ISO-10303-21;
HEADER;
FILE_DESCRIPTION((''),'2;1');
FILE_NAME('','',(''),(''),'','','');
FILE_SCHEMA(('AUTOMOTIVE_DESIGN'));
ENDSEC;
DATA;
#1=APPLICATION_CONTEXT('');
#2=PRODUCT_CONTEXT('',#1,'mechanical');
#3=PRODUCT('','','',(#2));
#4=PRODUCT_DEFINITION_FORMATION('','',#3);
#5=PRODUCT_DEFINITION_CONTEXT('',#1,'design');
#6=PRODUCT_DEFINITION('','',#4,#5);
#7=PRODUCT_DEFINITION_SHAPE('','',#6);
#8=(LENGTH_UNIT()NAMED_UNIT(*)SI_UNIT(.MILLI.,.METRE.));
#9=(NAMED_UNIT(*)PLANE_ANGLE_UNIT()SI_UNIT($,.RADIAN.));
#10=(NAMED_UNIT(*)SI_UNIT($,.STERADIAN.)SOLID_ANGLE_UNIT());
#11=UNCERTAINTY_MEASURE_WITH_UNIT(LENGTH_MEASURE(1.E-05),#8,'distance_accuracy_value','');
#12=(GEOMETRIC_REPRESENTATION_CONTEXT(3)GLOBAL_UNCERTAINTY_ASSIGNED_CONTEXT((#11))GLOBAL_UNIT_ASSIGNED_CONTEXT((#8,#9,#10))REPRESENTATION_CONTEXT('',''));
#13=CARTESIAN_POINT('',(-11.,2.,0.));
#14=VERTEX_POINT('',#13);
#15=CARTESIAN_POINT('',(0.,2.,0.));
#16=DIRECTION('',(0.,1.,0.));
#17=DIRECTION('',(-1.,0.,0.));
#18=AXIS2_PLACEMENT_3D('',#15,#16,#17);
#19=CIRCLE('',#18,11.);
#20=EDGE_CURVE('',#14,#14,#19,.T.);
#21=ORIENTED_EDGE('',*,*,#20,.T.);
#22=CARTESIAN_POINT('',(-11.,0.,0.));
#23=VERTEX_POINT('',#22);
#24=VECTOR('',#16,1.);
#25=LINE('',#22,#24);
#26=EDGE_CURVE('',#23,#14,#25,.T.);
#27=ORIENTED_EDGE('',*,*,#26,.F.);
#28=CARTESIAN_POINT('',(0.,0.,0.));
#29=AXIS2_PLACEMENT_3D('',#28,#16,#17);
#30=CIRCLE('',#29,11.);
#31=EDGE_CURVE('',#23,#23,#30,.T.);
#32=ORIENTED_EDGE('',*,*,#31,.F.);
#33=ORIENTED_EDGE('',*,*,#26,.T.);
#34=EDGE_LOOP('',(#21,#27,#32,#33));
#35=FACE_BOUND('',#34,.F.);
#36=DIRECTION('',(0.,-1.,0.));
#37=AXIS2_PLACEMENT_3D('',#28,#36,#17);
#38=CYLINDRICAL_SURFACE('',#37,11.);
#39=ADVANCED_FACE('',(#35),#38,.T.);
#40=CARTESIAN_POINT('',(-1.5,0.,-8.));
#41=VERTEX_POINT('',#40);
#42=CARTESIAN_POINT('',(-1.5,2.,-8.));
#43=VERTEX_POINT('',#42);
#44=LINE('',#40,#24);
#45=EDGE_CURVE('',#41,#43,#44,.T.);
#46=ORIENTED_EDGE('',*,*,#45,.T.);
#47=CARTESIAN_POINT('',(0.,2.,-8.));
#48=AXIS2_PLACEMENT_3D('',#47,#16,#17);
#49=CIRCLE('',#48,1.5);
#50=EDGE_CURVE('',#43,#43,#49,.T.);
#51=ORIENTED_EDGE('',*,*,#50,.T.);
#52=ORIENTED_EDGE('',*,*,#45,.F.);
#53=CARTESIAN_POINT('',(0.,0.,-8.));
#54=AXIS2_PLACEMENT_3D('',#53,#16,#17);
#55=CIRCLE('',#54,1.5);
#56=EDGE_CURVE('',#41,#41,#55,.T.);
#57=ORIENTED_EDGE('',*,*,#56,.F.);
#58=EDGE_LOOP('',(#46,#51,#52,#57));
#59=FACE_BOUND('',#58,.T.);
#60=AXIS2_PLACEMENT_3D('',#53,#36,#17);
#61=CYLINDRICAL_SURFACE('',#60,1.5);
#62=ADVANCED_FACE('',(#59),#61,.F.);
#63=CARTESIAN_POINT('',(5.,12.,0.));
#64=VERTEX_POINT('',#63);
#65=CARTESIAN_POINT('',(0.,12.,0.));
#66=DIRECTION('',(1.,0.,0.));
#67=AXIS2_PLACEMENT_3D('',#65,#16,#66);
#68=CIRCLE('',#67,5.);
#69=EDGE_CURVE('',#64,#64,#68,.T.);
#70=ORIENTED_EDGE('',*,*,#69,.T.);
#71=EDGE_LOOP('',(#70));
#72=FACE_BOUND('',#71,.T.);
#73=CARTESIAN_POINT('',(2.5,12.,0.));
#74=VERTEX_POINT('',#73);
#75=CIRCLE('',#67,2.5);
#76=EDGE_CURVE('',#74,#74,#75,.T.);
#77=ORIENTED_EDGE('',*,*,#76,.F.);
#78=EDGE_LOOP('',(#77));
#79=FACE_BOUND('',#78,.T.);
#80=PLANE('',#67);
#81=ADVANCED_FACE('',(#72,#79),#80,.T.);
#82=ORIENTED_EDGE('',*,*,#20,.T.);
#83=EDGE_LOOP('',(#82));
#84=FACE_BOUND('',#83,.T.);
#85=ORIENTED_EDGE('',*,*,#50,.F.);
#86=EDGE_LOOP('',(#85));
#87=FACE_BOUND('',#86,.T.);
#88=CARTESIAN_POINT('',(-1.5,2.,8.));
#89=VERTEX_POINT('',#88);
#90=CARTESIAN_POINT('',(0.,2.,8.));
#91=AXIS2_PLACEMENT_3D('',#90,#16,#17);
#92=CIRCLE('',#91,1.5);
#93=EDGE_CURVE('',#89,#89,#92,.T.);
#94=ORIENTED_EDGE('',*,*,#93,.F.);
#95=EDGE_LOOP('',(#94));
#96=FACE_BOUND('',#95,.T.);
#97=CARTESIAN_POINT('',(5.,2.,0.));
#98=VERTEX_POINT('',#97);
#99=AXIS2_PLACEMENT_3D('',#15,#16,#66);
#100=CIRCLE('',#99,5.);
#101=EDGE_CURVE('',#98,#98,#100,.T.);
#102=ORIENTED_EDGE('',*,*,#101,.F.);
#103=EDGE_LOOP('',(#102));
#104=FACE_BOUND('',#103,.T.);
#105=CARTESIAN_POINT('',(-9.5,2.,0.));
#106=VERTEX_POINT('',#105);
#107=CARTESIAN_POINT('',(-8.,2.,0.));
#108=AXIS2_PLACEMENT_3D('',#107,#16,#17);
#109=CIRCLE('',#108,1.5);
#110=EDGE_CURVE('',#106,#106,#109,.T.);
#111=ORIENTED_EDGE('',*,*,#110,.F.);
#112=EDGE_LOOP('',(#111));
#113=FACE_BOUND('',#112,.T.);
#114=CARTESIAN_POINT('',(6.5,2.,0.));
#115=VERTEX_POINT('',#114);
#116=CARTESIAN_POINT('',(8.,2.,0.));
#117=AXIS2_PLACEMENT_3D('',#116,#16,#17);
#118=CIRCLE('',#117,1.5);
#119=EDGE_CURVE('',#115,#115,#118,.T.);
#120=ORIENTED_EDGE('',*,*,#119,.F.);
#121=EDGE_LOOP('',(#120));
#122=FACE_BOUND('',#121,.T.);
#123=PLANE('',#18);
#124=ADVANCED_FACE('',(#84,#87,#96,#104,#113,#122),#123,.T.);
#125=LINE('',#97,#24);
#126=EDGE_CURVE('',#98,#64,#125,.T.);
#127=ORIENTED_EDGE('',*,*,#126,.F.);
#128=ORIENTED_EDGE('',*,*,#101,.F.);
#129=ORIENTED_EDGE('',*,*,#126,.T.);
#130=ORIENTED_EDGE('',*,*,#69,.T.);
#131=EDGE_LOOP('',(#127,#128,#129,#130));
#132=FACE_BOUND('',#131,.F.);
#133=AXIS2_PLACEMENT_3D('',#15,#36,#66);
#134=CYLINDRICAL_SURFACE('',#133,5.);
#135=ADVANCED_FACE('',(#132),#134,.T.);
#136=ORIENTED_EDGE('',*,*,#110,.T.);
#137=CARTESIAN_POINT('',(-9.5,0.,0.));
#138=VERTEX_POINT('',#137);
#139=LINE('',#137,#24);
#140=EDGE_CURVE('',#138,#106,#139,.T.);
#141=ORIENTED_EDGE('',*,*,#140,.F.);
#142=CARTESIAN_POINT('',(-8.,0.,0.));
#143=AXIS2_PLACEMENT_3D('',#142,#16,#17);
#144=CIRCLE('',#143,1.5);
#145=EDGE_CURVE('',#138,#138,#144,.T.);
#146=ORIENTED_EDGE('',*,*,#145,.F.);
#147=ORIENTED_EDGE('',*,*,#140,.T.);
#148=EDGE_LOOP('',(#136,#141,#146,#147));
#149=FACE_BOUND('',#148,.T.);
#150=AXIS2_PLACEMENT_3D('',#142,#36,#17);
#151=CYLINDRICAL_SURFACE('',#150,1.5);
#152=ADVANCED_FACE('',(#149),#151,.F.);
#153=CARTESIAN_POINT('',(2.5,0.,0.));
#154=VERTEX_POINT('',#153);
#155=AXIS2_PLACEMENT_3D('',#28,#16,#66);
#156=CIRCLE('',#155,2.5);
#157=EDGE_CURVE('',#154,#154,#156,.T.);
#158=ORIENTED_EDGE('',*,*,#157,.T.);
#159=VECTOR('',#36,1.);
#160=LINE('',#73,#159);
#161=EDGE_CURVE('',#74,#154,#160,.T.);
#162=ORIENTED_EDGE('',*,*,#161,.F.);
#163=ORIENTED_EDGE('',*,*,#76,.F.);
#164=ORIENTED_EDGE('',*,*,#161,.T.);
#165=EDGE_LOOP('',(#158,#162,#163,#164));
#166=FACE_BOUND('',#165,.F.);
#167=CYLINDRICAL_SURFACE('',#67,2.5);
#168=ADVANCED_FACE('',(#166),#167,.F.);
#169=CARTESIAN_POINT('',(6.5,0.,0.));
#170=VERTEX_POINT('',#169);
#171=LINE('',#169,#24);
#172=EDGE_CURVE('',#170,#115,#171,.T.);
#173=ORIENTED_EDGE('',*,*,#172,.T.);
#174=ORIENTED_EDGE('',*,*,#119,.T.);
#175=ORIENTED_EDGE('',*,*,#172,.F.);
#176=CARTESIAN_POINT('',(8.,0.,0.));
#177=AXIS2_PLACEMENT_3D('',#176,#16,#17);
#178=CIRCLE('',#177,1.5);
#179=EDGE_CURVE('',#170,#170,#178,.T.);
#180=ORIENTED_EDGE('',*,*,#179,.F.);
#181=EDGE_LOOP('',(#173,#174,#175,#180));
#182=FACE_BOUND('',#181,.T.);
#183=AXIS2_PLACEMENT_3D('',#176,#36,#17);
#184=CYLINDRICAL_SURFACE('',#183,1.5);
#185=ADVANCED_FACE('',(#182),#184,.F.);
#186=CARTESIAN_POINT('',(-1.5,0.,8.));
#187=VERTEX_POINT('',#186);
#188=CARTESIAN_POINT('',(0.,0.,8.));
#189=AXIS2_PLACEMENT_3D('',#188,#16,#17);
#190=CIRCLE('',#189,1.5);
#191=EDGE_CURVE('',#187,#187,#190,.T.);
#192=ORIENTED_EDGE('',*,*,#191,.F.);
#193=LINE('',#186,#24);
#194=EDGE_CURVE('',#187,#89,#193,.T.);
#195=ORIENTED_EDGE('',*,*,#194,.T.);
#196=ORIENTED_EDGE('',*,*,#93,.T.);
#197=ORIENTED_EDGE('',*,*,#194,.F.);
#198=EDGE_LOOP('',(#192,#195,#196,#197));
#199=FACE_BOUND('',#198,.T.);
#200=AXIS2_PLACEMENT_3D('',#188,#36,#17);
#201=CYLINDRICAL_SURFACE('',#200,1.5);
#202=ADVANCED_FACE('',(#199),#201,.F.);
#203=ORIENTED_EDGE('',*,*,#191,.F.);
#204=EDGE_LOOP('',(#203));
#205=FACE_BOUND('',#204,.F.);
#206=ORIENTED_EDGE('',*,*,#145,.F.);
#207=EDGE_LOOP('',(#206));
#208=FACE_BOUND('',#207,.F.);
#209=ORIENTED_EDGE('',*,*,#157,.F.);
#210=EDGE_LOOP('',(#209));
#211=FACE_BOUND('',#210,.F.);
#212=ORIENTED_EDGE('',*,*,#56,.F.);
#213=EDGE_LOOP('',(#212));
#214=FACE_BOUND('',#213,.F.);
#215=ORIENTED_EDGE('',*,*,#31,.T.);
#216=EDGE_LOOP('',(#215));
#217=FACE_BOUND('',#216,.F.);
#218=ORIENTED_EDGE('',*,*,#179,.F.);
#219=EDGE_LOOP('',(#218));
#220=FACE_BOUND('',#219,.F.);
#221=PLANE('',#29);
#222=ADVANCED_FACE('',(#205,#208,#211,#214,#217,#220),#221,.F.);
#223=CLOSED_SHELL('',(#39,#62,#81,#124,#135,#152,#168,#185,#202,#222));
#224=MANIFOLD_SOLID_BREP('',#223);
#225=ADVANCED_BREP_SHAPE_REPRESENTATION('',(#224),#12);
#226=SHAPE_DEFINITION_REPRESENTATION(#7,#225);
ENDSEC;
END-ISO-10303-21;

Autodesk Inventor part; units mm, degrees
ref_plane "YZ Plane" through (0, 0, 0) normal (1, 0, 0) x (0, 1, 0)
ref_plane "XZ Plane" through (0, 0, 0) normal (0, 1, 0) x (-1, 0, 0)
ref_plane "XY Plane" through (0, 0, 0) normal (0, 0, 1) x (1, 0, 0)
sketch "草圖1" plane through (0, 0, 0) normal (0, 1, 0) x (-1, 0, 0)
  circle A0 centre (0, 0) radius 11
  circle A1 centre (0, 0) radius 8 construction
  circle A2 centre (8, 0) radius 1.5
  circle A3 centre (0, 8) radius 1.5
  circle A4 centre (-8, 0) radius 1.5
  circle A5 centre (0, -8) radius 1.5
  dimension "d1" = 16
  dimension "d0" = 22
  dimension "d2" = 3
  dimension "d5" = 360
extrude "擠出1" add sketch "草圖1" along normal blind 2
sketch "草圖2" plane through (0, 2, 0) normal (0, 1, 0) x (1, 0, 0)
  circle A0 centre (0, 0) radius 5
  dimension "d9" = 10
extrude "擠出2" add sketch "草圖2" along normal blind 10
sketch "草圖3" plane through (0, 12, 0) normal (0, 1, 0) x (1, 0, 0)
  circle A0 centre (0, 0) radius 2.5
  dimension "d12" = 5
extrude "擠出3" cut sketch "草圖3" against normal through all
properties part number "5mm axle hub"
